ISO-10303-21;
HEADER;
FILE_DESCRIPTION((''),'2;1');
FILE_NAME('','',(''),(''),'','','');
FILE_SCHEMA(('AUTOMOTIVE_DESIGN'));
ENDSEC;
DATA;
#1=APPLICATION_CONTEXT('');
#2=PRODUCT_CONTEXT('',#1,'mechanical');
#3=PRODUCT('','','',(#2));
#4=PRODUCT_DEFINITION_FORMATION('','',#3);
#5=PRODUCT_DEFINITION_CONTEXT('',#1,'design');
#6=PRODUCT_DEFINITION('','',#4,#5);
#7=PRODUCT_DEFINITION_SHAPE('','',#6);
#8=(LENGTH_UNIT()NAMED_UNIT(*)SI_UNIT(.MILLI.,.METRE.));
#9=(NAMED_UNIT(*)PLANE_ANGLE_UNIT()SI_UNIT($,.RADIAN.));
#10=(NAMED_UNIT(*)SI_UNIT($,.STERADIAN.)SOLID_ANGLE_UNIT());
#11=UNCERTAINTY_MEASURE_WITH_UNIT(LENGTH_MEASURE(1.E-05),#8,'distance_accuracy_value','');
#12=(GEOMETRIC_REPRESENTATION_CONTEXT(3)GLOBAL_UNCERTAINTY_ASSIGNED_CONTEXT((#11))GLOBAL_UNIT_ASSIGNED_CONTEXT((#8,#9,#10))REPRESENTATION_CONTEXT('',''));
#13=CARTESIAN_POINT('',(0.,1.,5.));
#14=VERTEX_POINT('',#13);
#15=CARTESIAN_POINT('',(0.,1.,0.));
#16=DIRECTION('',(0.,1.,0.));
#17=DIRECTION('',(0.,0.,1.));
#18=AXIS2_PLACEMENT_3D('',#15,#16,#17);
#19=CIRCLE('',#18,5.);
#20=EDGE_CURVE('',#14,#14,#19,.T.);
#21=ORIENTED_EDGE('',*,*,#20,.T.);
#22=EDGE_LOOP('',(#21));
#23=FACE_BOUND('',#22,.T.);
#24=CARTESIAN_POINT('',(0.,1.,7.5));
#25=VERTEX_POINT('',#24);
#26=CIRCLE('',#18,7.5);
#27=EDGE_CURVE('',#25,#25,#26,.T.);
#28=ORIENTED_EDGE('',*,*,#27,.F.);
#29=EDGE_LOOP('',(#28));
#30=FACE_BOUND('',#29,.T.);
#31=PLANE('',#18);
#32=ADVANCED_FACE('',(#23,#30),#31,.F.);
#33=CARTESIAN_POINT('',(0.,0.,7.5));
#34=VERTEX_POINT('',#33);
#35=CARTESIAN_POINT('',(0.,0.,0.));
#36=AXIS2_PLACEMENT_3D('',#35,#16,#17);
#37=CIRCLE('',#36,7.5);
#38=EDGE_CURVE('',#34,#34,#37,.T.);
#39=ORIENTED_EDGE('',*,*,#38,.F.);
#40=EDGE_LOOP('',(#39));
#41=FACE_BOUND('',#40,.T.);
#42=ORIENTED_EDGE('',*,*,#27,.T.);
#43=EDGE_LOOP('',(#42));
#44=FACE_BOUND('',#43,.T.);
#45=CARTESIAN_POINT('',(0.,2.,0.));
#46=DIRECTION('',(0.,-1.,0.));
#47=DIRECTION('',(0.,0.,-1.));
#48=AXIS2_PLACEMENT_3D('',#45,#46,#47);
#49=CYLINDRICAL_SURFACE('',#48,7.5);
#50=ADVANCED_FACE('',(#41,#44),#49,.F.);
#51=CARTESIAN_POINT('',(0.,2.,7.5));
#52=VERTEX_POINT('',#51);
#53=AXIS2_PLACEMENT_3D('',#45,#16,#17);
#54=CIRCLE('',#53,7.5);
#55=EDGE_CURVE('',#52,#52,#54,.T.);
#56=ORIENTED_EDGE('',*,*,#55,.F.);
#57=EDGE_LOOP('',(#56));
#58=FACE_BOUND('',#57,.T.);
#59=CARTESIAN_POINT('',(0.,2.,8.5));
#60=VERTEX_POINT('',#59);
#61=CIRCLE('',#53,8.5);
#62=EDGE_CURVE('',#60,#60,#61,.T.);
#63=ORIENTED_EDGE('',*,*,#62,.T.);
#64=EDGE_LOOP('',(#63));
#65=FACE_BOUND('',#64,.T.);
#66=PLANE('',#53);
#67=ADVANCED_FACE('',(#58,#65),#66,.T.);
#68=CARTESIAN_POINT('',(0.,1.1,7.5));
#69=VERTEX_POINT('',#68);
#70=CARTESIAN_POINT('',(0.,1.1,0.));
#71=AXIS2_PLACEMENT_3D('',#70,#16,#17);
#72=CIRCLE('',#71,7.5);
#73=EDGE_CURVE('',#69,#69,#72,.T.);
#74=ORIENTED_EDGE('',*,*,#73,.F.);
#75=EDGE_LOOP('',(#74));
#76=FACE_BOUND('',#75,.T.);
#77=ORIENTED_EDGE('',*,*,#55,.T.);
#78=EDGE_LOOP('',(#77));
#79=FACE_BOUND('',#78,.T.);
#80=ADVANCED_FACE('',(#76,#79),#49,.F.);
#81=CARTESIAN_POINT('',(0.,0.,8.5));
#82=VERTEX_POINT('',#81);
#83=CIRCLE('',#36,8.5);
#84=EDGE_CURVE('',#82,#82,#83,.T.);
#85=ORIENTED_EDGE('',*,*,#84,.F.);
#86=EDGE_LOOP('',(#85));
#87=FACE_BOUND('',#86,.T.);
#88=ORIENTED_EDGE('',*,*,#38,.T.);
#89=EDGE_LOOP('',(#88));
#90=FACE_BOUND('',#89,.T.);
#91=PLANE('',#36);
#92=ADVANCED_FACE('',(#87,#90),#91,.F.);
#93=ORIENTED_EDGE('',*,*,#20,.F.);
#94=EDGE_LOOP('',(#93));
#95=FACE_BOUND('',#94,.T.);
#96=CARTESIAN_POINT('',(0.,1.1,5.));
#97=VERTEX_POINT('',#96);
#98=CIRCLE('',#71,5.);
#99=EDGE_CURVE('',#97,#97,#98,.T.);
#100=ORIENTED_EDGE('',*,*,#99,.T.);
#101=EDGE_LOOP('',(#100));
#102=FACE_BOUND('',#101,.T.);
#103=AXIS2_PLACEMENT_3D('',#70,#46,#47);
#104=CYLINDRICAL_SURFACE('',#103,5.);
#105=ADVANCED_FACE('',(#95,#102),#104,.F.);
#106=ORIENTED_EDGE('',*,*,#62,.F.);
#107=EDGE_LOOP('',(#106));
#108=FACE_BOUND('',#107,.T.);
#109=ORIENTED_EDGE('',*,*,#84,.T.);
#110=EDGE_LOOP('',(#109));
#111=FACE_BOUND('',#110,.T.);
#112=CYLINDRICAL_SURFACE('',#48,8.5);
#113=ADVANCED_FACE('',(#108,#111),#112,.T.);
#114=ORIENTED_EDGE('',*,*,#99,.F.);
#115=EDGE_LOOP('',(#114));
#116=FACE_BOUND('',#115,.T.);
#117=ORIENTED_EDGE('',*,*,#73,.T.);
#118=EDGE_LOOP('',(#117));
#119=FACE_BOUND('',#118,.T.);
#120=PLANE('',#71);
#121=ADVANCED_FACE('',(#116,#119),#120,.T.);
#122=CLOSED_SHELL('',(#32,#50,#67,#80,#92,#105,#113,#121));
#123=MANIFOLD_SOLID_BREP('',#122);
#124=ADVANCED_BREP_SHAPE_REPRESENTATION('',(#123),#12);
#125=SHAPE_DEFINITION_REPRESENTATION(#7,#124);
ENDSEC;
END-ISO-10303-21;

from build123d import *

# Parameters (mm, degrees)
SKETCH1_R           = 8.5
SKETCH1_R_2         = 7.5
BOSS_EXTRUDE1_DEPTH = 2
BOSS_EXTRUDE2_START = -1
SKETCH2_R           = 7.5
SKETCH2_R_2         = 5
BOSS_EXTRUDE2_DEPTH = 0.1


with BuildPart() as part:
    # Sketch1 → Boss-Extrude1 (new body)
    with BuildSketch(Plane(origin=(0, 0, 0), x_dir=(1, 0, 0), z_dir=(0, 1, 0))):
        with Locations(Location((0, 0, 0), (0, 0, 270))):
            Circle(SKETCH1_R)
        with Locations(Location((0, 0, 0), (0, 0, 270))):
            Circle(SKETCH1_R_2, mode=Mode.SUBTRACT)
    extrude(amount=BOSS_EXTRUDE1_DEPTH)

    # Sketch2 → Boss-Extrude2 (add)
    with BuildSketch(Plane(origin=(0, 2, 0), x_dir=(1, 0, 0), z_dir=(0, 1, 0)).offset(BOSS_EXTRUDE2_START)):
        with Locations(Location((0, 0, 0), (0, 0, 270))):
            Circle(SKETCH2_R)
        with Locations(Location((0, 0, 0), (0, 0, 270))):
            Circle(SKETCH2_R_2, mode=Mode.SUBTRACT)
    extrude(amount=BOSS_EXTRUDE2_DEPTH)


solid = part.part
